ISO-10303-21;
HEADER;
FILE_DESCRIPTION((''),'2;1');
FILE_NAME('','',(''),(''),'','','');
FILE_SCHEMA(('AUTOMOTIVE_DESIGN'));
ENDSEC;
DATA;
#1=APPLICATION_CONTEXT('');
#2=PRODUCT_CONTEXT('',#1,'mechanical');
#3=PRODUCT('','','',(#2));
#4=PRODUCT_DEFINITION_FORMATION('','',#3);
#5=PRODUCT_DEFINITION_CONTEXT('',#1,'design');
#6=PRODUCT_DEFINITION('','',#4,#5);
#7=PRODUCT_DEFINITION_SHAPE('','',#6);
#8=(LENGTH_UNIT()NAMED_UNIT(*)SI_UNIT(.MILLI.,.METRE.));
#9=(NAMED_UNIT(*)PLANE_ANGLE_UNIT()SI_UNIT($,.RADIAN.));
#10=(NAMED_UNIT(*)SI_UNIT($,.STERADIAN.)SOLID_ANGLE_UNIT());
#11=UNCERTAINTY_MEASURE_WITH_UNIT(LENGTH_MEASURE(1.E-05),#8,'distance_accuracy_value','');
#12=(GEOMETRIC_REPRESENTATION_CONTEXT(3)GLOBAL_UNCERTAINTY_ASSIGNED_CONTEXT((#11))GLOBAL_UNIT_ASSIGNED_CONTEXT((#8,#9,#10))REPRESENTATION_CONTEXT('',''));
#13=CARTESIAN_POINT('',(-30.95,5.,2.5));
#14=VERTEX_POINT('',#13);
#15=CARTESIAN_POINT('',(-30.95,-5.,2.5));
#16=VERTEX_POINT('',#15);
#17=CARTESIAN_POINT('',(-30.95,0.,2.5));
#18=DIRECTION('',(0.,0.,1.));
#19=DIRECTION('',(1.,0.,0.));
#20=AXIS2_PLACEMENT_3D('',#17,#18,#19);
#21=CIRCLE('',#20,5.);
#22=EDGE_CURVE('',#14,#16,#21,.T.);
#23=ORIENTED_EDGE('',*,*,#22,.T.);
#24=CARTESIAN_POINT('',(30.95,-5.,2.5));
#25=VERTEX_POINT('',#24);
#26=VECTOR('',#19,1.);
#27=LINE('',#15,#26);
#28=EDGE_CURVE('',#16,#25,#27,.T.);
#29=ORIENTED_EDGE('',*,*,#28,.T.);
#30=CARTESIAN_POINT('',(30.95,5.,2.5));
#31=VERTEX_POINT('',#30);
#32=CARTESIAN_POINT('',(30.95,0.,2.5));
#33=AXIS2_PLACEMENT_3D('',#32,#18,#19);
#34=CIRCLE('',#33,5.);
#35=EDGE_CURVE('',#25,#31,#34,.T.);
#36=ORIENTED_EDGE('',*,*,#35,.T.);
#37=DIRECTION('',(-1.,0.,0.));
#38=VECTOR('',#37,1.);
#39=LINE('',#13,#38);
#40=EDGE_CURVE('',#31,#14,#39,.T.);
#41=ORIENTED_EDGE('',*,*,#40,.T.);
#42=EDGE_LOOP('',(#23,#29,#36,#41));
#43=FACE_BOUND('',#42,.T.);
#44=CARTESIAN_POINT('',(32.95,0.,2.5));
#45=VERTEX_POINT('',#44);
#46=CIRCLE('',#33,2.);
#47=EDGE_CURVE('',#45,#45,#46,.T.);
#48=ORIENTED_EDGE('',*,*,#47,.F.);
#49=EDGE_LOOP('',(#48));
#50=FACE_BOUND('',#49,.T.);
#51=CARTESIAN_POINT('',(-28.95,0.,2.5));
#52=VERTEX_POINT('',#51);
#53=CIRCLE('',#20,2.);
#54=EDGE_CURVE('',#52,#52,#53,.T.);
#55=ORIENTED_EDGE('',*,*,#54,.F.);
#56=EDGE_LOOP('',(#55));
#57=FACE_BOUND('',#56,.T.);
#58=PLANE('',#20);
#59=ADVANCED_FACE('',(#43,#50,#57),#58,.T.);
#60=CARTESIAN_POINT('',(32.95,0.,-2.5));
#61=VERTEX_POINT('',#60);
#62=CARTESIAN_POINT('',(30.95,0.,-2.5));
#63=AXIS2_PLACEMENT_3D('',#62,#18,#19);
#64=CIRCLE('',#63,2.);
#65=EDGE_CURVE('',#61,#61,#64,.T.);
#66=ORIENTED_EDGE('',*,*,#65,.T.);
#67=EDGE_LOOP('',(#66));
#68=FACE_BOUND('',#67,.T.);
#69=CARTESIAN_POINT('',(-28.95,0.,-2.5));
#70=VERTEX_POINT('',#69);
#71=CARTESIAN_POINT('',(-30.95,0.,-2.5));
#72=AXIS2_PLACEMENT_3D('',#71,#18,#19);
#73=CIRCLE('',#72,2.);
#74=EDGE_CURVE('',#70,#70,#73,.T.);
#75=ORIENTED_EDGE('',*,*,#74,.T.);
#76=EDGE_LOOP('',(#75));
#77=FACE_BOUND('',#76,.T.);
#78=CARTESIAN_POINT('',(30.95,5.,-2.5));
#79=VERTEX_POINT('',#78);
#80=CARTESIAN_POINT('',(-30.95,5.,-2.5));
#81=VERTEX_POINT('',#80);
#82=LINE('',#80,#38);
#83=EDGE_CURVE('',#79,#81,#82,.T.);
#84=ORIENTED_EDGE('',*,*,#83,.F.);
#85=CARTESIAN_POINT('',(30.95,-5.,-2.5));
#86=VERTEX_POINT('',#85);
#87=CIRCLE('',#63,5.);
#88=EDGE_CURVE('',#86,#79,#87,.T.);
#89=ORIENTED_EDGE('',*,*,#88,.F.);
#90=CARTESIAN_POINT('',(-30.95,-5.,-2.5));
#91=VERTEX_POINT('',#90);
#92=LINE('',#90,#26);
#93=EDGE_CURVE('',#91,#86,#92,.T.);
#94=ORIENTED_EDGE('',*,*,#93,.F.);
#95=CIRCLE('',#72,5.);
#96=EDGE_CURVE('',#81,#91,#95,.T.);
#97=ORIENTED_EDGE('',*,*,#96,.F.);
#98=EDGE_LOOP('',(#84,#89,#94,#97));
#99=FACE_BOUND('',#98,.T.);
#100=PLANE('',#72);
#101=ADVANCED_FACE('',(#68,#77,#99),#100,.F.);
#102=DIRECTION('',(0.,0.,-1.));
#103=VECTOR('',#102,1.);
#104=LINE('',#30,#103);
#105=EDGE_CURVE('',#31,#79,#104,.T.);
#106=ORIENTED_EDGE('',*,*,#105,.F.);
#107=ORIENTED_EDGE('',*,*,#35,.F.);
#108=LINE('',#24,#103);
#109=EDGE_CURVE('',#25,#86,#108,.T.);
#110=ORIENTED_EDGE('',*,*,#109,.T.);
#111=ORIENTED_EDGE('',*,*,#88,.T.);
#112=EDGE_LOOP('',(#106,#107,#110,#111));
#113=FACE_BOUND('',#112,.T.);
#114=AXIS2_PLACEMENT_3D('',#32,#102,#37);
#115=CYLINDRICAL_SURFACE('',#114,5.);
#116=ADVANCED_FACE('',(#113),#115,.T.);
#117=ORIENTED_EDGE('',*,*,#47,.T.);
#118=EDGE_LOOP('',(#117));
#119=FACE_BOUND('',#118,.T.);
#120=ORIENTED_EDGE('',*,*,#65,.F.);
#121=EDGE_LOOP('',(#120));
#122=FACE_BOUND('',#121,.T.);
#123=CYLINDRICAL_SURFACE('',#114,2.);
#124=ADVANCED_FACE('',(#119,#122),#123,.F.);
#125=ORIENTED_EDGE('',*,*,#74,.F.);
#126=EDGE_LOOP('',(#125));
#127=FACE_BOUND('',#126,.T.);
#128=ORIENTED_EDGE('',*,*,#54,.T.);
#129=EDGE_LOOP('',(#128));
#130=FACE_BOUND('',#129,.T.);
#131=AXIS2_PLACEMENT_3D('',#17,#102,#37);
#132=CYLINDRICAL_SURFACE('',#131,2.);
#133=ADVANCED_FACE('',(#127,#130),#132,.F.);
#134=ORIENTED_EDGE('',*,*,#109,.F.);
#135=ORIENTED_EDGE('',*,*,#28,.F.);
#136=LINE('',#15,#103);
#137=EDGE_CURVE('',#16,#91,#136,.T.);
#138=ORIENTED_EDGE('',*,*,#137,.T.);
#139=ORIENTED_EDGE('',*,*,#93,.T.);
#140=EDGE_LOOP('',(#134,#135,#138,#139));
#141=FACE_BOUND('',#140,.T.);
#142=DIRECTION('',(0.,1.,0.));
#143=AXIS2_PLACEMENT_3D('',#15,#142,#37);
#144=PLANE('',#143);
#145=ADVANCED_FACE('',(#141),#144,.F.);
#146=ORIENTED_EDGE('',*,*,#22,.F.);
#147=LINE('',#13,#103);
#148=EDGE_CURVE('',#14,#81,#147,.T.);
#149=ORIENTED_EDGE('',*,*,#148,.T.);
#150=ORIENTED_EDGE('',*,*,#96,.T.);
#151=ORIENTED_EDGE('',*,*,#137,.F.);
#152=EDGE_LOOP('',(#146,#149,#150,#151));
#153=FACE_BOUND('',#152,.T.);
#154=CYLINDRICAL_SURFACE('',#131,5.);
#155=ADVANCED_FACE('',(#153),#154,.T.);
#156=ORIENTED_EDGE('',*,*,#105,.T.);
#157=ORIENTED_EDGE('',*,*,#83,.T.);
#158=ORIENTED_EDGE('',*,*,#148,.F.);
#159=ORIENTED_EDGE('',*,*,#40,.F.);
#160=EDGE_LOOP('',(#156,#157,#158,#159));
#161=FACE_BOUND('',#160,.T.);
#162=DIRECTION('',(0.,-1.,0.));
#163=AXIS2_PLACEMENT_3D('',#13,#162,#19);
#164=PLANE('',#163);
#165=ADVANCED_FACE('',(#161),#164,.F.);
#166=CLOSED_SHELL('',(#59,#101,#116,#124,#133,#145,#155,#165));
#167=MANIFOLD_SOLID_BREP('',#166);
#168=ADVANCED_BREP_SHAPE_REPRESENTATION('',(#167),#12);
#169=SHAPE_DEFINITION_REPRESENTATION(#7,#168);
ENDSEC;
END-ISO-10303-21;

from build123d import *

# Parameters (mm, degrees)
SKETCH_2_R      = 2
EXTRUDE_1_DEPTH = 2.5


with BuildPart() as part:
    # 草圖2 → 填料-伸長1 (new, symmetric)
    with BuildSketch(Plane.XY):
        with BuildLine():
            Line((-30.95, 5), (30.95, 5))
            ThreePointArc((30.95, 5), (35.95, 0), (30.95, -5))
            Line((30.95, -5), (-30.95, -5))
            ThreePointArc((-30.95, -5), (-35.95, 0), (-30.95, 5))
        make_face()
        with Locations((30.95, 0)):
            Circle(SKETCH_2_R, mode=Mode.SUBTRACT)
        with Locations((-30.95, 0)):
            Circle(SKETCH_2_R, mode=Mode.SUBTRACT)
    extrude(amount=EXTRUDE_1_DEPTH, both=True)


solid = part.part
